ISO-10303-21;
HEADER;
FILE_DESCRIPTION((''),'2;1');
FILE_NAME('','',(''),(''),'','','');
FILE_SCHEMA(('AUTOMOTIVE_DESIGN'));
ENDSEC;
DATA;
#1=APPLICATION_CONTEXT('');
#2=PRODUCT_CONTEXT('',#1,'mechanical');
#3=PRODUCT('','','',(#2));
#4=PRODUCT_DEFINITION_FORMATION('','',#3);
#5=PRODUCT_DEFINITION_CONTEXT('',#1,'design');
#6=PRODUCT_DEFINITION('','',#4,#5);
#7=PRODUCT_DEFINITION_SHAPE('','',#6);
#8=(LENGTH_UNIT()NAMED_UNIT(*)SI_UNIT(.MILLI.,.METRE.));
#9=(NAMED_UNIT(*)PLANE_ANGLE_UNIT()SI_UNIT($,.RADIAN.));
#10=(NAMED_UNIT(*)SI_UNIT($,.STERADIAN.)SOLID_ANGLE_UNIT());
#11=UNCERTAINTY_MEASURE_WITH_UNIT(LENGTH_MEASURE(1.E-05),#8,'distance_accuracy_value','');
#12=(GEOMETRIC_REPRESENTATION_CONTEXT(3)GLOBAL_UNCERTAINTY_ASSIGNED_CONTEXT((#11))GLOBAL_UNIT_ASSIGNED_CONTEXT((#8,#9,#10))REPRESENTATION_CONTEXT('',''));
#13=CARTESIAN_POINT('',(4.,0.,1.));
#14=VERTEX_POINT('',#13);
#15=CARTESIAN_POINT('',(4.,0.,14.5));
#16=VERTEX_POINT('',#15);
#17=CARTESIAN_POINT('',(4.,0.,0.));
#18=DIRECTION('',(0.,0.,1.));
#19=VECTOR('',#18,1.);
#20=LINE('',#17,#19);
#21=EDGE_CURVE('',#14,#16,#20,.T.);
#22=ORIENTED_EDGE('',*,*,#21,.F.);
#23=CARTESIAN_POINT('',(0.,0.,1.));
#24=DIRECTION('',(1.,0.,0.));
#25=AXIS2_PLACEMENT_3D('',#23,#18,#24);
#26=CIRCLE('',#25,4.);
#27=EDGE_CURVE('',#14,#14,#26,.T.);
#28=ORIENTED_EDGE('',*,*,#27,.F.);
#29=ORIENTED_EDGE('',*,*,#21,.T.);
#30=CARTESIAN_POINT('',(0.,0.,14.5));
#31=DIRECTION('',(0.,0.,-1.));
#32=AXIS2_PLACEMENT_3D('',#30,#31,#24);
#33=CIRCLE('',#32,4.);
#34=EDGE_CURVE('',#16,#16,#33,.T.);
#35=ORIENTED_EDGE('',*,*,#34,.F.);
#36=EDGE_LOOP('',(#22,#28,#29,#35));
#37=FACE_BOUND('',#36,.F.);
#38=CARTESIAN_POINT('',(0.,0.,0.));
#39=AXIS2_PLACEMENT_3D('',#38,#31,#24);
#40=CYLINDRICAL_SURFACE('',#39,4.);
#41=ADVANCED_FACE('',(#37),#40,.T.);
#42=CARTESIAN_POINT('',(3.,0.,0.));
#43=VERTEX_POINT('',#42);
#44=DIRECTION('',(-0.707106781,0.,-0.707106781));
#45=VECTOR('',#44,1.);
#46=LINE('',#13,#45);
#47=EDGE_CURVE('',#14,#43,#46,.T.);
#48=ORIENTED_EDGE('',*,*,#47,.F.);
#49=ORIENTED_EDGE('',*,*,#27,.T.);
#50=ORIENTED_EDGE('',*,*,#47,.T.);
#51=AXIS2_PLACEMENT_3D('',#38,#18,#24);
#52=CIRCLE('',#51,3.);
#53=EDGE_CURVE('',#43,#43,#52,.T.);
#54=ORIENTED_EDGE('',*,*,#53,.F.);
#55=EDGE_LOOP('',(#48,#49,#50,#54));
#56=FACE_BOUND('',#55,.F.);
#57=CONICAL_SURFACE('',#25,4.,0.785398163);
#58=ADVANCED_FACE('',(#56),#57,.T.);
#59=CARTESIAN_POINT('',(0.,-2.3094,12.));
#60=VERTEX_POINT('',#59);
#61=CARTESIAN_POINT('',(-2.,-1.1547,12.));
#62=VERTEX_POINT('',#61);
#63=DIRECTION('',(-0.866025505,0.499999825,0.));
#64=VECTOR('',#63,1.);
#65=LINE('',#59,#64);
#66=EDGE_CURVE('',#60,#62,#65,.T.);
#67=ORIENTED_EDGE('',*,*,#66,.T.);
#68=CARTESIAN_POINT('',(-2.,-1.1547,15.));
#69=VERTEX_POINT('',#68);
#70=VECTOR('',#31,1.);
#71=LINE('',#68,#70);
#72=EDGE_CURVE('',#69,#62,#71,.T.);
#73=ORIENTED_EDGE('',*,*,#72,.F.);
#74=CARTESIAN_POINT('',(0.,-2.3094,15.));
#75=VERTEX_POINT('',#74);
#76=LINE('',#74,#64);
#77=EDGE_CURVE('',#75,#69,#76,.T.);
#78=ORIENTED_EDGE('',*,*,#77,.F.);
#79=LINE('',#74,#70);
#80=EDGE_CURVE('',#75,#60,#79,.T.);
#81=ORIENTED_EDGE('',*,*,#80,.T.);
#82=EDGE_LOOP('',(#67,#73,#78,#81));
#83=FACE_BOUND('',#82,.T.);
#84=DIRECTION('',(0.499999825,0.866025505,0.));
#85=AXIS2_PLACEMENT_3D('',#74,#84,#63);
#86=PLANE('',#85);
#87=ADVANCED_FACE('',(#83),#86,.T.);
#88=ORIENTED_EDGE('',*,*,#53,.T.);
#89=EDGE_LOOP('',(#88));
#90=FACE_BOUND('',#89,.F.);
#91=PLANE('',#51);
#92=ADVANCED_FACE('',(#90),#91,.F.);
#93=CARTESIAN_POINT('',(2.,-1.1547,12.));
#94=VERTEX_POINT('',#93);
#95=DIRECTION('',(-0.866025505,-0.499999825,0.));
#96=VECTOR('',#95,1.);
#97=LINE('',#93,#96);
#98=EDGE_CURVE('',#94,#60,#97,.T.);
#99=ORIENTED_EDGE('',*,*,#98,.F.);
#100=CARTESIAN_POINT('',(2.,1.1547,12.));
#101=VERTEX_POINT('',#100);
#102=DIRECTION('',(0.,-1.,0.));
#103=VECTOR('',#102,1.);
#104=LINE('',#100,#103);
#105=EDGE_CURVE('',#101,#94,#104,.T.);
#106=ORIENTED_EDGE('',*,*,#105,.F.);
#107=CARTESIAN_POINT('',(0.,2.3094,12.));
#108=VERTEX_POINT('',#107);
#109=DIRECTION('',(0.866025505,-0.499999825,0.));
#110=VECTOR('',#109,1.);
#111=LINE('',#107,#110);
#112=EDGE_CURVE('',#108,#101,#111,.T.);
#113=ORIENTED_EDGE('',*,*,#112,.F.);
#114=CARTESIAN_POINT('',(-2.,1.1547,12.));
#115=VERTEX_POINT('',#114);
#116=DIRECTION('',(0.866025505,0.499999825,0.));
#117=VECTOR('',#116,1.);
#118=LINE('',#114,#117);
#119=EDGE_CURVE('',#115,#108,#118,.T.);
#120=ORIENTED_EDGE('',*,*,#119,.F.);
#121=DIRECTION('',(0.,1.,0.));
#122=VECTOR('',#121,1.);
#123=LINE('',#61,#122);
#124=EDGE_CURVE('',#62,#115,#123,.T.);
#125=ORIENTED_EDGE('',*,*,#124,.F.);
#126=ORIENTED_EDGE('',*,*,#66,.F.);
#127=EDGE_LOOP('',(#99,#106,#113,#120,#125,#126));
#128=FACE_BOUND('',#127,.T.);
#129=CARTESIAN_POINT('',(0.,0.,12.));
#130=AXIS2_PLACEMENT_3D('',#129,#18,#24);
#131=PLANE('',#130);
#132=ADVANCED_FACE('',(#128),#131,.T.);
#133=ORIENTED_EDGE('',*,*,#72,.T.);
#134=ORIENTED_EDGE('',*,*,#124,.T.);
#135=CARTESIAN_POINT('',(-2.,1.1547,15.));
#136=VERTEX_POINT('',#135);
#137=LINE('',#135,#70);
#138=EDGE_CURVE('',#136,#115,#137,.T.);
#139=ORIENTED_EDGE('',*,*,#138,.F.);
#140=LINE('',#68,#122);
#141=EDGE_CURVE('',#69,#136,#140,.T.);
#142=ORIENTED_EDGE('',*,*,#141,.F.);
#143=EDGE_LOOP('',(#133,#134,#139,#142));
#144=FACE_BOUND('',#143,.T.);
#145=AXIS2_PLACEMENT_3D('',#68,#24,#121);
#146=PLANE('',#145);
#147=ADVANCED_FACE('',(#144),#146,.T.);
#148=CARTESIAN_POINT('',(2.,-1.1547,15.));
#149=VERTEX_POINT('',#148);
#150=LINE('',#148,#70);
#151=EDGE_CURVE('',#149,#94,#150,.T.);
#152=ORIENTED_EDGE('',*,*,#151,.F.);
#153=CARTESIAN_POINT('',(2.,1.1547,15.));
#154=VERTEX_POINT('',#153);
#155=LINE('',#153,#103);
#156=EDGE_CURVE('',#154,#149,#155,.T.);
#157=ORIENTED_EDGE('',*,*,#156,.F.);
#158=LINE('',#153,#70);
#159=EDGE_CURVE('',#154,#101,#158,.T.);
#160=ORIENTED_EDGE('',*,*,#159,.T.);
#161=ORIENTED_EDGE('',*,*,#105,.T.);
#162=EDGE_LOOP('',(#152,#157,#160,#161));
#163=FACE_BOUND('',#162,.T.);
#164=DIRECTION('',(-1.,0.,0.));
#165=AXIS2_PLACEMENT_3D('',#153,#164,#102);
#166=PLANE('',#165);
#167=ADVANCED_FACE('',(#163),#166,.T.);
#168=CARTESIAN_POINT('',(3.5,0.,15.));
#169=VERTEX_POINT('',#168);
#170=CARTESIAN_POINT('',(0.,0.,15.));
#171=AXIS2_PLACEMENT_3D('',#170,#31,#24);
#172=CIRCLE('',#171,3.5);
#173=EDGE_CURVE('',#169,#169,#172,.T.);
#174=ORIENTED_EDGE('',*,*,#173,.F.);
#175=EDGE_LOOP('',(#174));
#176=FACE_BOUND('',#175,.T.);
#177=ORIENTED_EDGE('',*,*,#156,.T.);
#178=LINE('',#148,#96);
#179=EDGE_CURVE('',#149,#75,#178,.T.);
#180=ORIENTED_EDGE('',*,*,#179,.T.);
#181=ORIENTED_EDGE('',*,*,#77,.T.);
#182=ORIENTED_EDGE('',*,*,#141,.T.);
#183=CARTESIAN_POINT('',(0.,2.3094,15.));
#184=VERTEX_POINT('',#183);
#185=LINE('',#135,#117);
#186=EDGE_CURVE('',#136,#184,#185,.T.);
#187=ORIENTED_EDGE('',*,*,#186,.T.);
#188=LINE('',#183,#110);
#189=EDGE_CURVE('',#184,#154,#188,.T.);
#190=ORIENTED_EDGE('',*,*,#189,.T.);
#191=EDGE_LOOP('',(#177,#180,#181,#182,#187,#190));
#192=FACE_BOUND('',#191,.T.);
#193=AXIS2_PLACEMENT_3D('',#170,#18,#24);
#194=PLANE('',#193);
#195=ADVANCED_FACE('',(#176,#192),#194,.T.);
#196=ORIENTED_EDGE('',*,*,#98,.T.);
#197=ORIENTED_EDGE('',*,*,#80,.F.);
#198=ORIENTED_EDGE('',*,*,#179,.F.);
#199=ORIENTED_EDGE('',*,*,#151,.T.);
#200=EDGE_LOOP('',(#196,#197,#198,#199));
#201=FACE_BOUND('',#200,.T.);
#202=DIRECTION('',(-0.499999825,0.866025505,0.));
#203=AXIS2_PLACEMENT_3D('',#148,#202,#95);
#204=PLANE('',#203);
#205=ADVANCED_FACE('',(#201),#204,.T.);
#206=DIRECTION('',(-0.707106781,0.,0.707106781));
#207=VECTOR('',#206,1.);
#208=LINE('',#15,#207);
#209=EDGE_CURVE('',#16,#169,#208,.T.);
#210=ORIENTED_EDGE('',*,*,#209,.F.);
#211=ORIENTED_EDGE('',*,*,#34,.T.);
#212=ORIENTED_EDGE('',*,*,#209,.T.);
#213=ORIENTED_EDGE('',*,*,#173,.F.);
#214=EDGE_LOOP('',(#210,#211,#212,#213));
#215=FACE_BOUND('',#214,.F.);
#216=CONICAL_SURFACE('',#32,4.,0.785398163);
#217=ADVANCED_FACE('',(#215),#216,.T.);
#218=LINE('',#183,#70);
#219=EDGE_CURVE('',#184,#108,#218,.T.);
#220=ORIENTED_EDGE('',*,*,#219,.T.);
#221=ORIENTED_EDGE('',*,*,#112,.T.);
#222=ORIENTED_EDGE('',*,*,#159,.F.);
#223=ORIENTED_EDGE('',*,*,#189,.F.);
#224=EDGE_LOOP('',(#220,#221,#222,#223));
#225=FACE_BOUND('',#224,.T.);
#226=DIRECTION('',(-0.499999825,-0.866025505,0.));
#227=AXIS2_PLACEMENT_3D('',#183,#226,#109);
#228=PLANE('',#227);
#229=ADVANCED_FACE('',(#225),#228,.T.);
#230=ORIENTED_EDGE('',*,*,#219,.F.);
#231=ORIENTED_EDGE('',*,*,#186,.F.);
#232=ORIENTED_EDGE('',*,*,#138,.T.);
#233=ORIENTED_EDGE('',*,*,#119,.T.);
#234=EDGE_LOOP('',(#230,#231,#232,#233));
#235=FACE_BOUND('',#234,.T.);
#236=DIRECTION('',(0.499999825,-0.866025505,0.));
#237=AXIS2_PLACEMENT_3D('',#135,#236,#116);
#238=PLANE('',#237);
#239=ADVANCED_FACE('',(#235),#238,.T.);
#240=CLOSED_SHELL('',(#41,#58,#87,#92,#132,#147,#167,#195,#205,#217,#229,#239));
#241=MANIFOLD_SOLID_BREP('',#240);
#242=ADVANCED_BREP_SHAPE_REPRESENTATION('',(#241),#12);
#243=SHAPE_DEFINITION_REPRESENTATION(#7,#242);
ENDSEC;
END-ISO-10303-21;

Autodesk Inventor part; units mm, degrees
ref_plane "YZ Plane" through (0, 0, 0) normal (1, 0, 0) x (0, 1, 0)
ref_plane "XZ Plane" through (0, 0, 0) normal (0, 1, 0) x (-1, 0, 0)
ref_plane "XY Plane" through (0, 0, 0) normal (0, 0, 1) x (1, 0, 0)
sketch "Sketch1" plane through (0, 0, 0) normal (0, 0, 1) x (1, 0, 0)
  line L0 (0, 5.6) -> (0, -5.6) projected
  line L1 (-5.6, 0) -> (5.6, 0) projected
  circle A0 centre (0, 0) radius 4
  dimension "d0" = 8
extrude "Extrusion1" add sketch "Sketch1" along normal blind 15
chamfer "Chamfer1" distance 1 angle 45 1 edges at (-4, 0, 0)
chamfer "Chamfer2" distance 0.5 angle 45 1 edges at (-4, 0, 15)
sketch "Sketch2" plane through (0, 0, 15) normal (0, 0, 1) x (1, 0, 0)
  circle A0 centre (0, 0) radius 3.5 projected
  line L0 (2, -1.1547) -> (0, -2.3094)
  line L1 (0, -2.3094) -> (-2, -1.1547)
  line L2 (-2, -1.1547) -> (-2, 1.1547)
  line L3 (-2, 1.1547) -> (0, 2.3094)
  line L4 (0, 2.3094) -> (2, 1.1547)
  line L5 (2, 1.1547) -> (2, -1.1547)
  line L6 (0, 5.6) -> (0, -5.6) projected
  dimension "d9" = 2
extrude "Extrusion2" cut sketch "Sketch2" against normal blind 3 contours L6 L1 L2 L3 | L4 L5 L0 L6
thread "Thread1" size "M8x1.25" class "6g" standard "ANSI Metric M Profile" full length
properties part number "SCREW,SET,CUP POINT,SS, M8X1.25X15MM" material "Stainless Steel, 304L"
